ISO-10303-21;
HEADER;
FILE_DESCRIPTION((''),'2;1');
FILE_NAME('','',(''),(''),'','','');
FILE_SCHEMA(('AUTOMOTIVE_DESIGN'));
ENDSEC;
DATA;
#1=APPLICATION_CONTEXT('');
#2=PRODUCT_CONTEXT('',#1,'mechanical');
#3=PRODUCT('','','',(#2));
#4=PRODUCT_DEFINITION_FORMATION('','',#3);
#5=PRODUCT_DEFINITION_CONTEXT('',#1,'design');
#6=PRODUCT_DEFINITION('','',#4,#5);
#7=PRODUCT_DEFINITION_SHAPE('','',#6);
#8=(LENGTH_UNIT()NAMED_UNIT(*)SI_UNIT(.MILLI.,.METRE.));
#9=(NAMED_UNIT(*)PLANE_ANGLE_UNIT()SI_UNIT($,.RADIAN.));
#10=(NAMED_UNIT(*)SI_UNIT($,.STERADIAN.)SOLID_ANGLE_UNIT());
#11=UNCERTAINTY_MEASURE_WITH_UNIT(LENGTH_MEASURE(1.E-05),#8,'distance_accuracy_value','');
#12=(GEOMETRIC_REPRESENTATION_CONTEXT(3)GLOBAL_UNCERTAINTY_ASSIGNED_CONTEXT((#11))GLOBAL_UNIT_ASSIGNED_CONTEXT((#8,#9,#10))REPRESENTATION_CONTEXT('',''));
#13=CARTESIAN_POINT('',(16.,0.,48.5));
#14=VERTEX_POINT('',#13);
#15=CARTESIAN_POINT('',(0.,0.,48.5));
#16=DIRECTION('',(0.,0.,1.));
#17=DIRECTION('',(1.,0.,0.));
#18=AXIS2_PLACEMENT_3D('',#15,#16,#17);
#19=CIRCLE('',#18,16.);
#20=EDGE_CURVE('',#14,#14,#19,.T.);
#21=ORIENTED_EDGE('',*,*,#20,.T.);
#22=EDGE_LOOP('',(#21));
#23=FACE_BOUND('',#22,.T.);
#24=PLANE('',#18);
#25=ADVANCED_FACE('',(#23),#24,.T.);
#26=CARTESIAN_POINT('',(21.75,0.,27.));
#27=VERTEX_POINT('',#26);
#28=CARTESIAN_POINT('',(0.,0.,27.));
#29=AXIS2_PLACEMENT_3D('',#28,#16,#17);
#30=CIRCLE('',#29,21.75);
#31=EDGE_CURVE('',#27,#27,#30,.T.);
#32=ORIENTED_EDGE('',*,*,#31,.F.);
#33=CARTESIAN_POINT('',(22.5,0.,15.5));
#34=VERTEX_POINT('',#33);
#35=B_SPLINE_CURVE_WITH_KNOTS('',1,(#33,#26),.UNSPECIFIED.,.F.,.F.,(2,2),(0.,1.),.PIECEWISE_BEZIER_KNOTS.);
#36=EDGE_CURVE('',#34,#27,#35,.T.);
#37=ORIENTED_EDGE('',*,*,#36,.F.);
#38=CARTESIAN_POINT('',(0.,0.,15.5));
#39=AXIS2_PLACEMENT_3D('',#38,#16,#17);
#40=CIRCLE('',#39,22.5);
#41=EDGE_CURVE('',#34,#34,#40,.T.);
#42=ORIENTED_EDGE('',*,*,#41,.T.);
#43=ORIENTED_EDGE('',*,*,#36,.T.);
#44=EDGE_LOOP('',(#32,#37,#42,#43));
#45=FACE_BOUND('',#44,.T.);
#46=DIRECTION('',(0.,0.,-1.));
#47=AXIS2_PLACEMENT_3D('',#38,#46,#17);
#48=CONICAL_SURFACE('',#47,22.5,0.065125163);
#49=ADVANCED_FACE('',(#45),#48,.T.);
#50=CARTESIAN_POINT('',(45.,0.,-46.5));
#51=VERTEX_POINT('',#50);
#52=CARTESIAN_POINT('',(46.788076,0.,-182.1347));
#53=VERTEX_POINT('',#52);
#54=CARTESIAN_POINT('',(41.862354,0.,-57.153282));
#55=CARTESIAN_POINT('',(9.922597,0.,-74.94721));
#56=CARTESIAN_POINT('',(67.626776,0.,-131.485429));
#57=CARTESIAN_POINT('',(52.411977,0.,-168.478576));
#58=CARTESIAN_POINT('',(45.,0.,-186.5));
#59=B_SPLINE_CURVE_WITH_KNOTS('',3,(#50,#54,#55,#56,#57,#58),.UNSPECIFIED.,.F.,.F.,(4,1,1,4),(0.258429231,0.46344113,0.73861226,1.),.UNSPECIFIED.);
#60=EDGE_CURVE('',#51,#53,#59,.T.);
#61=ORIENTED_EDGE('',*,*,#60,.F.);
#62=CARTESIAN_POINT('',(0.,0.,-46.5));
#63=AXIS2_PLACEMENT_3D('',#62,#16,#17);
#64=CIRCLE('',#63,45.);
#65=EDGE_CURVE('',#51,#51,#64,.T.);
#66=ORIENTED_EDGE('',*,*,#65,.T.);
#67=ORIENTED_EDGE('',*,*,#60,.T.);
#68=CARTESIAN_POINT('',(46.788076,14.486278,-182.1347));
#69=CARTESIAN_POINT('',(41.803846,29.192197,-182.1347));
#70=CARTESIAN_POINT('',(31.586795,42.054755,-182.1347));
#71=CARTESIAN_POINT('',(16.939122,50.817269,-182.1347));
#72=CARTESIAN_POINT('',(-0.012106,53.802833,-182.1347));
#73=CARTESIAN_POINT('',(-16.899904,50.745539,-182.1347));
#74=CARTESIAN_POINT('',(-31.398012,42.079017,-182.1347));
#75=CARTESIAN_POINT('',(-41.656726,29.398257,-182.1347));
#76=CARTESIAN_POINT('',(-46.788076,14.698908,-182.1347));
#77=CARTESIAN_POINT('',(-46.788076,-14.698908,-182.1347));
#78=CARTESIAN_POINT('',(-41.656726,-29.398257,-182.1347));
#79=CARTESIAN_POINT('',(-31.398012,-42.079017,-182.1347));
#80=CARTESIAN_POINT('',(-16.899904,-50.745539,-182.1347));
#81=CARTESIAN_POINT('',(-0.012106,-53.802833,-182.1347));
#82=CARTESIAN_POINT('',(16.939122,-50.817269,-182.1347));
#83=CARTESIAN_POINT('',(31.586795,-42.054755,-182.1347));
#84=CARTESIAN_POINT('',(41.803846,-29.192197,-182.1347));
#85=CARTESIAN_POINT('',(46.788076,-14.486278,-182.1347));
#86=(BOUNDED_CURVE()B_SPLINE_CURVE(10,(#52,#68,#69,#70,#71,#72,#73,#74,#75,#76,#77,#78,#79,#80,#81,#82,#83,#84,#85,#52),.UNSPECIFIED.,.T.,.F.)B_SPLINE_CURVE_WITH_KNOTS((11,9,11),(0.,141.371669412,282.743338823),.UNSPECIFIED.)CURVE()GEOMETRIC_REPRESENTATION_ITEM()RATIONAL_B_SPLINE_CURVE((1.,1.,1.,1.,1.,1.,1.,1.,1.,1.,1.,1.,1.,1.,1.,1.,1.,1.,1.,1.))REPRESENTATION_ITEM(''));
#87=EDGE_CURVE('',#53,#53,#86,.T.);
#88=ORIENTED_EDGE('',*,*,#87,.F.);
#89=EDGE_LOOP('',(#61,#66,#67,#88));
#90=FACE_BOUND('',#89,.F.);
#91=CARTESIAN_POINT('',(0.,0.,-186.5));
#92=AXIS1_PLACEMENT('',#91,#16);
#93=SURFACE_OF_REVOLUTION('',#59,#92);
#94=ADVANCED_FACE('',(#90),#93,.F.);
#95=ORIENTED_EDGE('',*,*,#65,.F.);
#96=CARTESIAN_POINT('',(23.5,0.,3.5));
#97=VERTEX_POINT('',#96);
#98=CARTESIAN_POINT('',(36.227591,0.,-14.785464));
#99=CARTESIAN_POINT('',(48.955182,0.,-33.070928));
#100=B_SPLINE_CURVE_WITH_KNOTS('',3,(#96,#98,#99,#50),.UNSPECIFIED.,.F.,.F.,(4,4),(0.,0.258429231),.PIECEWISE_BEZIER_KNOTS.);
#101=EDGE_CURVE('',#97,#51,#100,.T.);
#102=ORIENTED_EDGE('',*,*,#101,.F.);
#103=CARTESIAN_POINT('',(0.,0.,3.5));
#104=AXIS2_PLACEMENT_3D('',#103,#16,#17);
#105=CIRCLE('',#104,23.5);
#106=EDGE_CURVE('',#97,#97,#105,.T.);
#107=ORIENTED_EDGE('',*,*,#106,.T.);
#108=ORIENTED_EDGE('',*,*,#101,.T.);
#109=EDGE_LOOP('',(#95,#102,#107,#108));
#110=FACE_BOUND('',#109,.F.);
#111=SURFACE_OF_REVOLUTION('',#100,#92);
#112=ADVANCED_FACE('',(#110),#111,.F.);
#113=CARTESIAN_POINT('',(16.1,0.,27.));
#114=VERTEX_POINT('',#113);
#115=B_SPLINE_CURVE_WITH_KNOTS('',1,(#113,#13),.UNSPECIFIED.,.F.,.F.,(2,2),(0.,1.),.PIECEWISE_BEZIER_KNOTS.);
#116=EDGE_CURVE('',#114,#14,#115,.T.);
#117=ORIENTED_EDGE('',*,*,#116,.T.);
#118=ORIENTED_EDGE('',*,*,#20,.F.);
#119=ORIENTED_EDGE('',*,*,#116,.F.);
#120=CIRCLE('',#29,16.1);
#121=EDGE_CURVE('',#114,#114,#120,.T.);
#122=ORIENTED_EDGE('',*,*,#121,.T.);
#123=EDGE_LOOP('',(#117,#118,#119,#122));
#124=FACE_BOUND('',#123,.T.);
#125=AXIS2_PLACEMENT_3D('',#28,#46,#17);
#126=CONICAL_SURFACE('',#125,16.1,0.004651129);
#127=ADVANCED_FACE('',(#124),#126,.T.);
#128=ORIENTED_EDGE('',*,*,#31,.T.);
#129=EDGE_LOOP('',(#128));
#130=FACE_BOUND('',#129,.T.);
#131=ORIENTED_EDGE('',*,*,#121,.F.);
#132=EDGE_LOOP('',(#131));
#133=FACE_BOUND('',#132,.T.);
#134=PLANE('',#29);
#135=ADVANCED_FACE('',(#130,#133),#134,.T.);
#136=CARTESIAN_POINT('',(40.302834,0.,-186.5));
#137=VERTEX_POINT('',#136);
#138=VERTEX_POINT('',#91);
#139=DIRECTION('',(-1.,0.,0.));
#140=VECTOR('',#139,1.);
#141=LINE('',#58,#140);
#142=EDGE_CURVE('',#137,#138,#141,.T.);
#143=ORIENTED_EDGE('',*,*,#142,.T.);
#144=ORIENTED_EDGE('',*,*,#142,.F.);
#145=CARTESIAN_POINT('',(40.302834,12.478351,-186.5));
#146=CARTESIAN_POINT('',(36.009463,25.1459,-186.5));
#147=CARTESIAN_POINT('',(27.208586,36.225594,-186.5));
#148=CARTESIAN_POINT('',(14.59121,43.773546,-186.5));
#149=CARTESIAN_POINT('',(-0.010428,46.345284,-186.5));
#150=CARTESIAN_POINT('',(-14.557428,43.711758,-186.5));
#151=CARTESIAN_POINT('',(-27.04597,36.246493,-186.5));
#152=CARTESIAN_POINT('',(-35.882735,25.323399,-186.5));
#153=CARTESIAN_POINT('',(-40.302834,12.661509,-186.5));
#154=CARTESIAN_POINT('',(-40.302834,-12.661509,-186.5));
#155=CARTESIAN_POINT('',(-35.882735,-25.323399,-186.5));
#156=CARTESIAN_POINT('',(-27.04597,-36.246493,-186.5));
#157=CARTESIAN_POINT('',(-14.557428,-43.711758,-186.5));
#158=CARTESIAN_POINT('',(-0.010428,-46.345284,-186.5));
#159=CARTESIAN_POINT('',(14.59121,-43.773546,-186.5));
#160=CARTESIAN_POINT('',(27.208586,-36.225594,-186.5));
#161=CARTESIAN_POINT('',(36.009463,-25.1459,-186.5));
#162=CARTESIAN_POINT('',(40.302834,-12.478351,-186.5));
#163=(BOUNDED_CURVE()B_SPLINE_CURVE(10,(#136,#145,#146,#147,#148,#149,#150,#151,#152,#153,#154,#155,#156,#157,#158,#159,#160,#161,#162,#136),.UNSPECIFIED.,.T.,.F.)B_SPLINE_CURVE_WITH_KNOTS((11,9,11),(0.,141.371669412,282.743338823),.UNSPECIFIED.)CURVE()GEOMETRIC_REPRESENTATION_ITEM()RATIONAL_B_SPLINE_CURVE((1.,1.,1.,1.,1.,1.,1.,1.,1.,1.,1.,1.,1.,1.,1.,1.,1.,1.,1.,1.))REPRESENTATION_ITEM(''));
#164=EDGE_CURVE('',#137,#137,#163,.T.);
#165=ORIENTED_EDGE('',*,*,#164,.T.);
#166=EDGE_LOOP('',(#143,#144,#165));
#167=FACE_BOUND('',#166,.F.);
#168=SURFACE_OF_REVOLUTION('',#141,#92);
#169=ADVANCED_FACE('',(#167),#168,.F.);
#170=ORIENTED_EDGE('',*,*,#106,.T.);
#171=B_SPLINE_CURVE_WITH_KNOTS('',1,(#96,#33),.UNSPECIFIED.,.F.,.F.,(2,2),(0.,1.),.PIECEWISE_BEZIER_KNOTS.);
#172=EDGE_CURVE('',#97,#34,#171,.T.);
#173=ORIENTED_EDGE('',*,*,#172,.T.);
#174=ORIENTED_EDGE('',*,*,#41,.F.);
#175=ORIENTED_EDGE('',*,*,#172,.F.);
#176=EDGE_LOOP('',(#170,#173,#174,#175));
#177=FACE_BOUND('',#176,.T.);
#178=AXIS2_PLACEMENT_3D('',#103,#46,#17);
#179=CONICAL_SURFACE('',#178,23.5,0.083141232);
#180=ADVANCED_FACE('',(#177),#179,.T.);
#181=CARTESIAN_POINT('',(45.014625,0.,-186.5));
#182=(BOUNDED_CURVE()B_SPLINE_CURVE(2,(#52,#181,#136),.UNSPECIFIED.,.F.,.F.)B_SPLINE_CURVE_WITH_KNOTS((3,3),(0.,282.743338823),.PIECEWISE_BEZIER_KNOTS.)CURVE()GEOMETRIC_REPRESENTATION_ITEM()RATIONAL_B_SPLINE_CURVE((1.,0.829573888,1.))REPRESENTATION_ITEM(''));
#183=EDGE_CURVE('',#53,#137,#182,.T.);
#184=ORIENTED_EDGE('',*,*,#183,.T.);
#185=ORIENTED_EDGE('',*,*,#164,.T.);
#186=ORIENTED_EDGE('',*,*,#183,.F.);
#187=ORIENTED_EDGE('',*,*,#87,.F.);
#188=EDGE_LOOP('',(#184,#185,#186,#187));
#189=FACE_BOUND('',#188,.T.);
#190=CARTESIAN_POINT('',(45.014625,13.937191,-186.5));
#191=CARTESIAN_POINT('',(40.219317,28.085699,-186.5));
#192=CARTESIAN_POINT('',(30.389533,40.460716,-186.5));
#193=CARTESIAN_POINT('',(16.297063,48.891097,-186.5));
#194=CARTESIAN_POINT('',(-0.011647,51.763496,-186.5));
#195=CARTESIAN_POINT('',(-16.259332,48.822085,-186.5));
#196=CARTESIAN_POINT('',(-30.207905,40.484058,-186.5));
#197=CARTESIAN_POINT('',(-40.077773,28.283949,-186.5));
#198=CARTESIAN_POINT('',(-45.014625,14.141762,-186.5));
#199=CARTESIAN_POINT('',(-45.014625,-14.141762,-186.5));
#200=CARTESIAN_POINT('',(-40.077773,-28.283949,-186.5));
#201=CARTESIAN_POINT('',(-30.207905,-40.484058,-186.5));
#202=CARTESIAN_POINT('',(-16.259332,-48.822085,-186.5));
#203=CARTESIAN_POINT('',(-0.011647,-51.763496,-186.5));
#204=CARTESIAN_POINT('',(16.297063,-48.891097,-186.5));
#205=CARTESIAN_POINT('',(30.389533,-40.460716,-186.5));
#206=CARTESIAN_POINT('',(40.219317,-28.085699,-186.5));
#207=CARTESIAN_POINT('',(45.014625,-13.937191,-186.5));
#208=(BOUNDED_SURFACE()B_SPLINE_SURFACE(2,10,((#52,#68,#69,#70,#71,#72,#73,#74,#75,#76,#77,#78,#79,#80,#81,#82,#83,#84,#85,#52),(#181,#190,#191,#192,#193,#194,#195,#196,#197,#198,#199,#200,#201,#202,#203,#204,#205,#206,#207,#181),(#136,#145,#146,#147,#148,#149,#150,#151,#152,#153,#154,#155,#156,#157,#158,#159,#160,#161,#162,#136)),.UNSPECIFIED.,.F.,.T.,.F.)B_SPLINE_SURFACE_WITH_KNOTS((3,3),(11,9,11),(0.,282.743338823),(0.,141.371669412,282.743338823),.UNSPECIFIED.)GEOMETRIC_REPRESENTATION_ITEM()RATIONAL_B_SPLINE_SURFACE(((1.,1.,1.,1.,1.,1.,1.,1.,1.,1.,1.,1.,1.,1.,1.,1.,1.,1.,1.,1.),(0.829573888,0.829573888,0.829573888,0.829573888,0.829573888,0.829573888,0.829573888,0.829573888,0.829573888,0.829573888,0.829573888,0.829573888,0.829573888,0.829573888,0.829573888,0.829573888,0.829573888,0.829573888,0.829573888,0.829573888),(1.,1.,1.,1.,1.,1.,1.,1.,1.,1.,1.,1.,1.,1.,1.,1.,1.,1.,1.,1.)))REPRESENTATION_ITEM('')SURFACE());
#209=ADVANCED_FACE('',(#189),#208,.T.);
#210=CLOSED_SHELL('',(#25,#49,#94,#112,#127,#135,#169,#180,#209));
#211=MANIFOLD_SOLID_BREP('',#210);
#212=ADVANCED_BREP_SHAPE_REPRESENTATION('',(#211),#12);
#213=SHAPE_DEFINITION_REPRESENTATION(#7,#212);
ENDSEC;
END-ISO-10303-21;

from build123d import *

# Parameters (mm, degrees)
F0_R  = 16
F3_R  = 16
F2_R  = 22.5
F6_R  = 21.75
F8_R  = 16.1
F10_R = 16
F21_R = 7
F22_R = 23.5
F23_R = 22.5


with BuildPart() as f4:
    # F0 (on Top) → F4 section 0
    with BuildSketch(Plane.XY):
        Circle(F0_R)
    # F3 (on offset) → F4 section 1
    with BuildSketch(Plane.XY.offset(15.5)):
        Circle(F3_R)
    loft()

    # F2 (on offset) → F7 section 0
    with BuildSketch(Plane.XY.offset(15.5)):
        Circle(F2_R)
    # F6 (on offset) → F7 section 1
    with BuildSketch(Plane.XY.offset(27)):
        Circle(F6_R)
    loft()

    # F8 (on face) → F11 section 0
    with BuildSketch(Plane.XY.offset(27)):
        Circle(F8_R)
    # F10 (on offset) → F11 section 1
    with BuildSketch(Plane.XY.offset(48.5)):
        Circle(F10_R)
    loft()

    # F20: sweep along a path in F16
    with BuildLine(Plane.XY.offset(-186.5)) as f20_path:
        CenterArc((0, 0), 45, 0, 360)
    # F19 (on Right) → F20 (sweep)
    with BuildSketch(Plane.YZ):
        with BuildLine():
            add(Edge.make_bspline(
                [(-23.5, 3.5), (-36.2275912486, -14.7854639769), (-48.9551824971, -33.0709279537), (-45, -46.5)],
                knots=[0, 0, 0, 0, 0.2584292307, 0.2584292307, 0.2584292307, 0.2584292307], degree=3))
            Line((-45, -46.5), (0, -46.5))
            Line((0, -46.5), (0, 3.5))
            Line((0, 3.5), (-23.5, 3.5))
        make_face()
        with BuildLine():
            Line((0, -46.5), (-45, -46.5))
            add(Edge.make_bspline(
                [(-45, -46.5), (-41.8623538668, -57.1532823728), (-9.9225968185, -74.947210298), (-67.6267764195, -131.4854286233), (-52.4119770329, -168.4785756505), (-45, -186.5)],
                knots=[0.2584292307, 0.2584292307, 0.2584292307, 0.2584292307, 0.4634411301, 0.7386122604, 1, 1, 1, 1], degree=3))
            Line((-45, -186.5), (0, -186.5))
            Line((0, -186.5), (0, -46.5))
        make_face()
    sweep(path=f20_path.line)

    # F21
    f21_edges = [f4.edges().sort_by_distance(p)[0] for p in [
        (-45, 0, -186.5),
    ]]
    fillet(f21_edges, radius=F21_R)

    # F22 (on offset) → F24 section 0
    with BuildSketch(Plane.XY.offset(3.5)):
        Circle(F22_R)
    # F23 (on offset) → F24 section 1
    with BuildSketch(Plane.XY.offset(15.5)):
        Circle(F23_R)
    loft()


solid = f4.part
